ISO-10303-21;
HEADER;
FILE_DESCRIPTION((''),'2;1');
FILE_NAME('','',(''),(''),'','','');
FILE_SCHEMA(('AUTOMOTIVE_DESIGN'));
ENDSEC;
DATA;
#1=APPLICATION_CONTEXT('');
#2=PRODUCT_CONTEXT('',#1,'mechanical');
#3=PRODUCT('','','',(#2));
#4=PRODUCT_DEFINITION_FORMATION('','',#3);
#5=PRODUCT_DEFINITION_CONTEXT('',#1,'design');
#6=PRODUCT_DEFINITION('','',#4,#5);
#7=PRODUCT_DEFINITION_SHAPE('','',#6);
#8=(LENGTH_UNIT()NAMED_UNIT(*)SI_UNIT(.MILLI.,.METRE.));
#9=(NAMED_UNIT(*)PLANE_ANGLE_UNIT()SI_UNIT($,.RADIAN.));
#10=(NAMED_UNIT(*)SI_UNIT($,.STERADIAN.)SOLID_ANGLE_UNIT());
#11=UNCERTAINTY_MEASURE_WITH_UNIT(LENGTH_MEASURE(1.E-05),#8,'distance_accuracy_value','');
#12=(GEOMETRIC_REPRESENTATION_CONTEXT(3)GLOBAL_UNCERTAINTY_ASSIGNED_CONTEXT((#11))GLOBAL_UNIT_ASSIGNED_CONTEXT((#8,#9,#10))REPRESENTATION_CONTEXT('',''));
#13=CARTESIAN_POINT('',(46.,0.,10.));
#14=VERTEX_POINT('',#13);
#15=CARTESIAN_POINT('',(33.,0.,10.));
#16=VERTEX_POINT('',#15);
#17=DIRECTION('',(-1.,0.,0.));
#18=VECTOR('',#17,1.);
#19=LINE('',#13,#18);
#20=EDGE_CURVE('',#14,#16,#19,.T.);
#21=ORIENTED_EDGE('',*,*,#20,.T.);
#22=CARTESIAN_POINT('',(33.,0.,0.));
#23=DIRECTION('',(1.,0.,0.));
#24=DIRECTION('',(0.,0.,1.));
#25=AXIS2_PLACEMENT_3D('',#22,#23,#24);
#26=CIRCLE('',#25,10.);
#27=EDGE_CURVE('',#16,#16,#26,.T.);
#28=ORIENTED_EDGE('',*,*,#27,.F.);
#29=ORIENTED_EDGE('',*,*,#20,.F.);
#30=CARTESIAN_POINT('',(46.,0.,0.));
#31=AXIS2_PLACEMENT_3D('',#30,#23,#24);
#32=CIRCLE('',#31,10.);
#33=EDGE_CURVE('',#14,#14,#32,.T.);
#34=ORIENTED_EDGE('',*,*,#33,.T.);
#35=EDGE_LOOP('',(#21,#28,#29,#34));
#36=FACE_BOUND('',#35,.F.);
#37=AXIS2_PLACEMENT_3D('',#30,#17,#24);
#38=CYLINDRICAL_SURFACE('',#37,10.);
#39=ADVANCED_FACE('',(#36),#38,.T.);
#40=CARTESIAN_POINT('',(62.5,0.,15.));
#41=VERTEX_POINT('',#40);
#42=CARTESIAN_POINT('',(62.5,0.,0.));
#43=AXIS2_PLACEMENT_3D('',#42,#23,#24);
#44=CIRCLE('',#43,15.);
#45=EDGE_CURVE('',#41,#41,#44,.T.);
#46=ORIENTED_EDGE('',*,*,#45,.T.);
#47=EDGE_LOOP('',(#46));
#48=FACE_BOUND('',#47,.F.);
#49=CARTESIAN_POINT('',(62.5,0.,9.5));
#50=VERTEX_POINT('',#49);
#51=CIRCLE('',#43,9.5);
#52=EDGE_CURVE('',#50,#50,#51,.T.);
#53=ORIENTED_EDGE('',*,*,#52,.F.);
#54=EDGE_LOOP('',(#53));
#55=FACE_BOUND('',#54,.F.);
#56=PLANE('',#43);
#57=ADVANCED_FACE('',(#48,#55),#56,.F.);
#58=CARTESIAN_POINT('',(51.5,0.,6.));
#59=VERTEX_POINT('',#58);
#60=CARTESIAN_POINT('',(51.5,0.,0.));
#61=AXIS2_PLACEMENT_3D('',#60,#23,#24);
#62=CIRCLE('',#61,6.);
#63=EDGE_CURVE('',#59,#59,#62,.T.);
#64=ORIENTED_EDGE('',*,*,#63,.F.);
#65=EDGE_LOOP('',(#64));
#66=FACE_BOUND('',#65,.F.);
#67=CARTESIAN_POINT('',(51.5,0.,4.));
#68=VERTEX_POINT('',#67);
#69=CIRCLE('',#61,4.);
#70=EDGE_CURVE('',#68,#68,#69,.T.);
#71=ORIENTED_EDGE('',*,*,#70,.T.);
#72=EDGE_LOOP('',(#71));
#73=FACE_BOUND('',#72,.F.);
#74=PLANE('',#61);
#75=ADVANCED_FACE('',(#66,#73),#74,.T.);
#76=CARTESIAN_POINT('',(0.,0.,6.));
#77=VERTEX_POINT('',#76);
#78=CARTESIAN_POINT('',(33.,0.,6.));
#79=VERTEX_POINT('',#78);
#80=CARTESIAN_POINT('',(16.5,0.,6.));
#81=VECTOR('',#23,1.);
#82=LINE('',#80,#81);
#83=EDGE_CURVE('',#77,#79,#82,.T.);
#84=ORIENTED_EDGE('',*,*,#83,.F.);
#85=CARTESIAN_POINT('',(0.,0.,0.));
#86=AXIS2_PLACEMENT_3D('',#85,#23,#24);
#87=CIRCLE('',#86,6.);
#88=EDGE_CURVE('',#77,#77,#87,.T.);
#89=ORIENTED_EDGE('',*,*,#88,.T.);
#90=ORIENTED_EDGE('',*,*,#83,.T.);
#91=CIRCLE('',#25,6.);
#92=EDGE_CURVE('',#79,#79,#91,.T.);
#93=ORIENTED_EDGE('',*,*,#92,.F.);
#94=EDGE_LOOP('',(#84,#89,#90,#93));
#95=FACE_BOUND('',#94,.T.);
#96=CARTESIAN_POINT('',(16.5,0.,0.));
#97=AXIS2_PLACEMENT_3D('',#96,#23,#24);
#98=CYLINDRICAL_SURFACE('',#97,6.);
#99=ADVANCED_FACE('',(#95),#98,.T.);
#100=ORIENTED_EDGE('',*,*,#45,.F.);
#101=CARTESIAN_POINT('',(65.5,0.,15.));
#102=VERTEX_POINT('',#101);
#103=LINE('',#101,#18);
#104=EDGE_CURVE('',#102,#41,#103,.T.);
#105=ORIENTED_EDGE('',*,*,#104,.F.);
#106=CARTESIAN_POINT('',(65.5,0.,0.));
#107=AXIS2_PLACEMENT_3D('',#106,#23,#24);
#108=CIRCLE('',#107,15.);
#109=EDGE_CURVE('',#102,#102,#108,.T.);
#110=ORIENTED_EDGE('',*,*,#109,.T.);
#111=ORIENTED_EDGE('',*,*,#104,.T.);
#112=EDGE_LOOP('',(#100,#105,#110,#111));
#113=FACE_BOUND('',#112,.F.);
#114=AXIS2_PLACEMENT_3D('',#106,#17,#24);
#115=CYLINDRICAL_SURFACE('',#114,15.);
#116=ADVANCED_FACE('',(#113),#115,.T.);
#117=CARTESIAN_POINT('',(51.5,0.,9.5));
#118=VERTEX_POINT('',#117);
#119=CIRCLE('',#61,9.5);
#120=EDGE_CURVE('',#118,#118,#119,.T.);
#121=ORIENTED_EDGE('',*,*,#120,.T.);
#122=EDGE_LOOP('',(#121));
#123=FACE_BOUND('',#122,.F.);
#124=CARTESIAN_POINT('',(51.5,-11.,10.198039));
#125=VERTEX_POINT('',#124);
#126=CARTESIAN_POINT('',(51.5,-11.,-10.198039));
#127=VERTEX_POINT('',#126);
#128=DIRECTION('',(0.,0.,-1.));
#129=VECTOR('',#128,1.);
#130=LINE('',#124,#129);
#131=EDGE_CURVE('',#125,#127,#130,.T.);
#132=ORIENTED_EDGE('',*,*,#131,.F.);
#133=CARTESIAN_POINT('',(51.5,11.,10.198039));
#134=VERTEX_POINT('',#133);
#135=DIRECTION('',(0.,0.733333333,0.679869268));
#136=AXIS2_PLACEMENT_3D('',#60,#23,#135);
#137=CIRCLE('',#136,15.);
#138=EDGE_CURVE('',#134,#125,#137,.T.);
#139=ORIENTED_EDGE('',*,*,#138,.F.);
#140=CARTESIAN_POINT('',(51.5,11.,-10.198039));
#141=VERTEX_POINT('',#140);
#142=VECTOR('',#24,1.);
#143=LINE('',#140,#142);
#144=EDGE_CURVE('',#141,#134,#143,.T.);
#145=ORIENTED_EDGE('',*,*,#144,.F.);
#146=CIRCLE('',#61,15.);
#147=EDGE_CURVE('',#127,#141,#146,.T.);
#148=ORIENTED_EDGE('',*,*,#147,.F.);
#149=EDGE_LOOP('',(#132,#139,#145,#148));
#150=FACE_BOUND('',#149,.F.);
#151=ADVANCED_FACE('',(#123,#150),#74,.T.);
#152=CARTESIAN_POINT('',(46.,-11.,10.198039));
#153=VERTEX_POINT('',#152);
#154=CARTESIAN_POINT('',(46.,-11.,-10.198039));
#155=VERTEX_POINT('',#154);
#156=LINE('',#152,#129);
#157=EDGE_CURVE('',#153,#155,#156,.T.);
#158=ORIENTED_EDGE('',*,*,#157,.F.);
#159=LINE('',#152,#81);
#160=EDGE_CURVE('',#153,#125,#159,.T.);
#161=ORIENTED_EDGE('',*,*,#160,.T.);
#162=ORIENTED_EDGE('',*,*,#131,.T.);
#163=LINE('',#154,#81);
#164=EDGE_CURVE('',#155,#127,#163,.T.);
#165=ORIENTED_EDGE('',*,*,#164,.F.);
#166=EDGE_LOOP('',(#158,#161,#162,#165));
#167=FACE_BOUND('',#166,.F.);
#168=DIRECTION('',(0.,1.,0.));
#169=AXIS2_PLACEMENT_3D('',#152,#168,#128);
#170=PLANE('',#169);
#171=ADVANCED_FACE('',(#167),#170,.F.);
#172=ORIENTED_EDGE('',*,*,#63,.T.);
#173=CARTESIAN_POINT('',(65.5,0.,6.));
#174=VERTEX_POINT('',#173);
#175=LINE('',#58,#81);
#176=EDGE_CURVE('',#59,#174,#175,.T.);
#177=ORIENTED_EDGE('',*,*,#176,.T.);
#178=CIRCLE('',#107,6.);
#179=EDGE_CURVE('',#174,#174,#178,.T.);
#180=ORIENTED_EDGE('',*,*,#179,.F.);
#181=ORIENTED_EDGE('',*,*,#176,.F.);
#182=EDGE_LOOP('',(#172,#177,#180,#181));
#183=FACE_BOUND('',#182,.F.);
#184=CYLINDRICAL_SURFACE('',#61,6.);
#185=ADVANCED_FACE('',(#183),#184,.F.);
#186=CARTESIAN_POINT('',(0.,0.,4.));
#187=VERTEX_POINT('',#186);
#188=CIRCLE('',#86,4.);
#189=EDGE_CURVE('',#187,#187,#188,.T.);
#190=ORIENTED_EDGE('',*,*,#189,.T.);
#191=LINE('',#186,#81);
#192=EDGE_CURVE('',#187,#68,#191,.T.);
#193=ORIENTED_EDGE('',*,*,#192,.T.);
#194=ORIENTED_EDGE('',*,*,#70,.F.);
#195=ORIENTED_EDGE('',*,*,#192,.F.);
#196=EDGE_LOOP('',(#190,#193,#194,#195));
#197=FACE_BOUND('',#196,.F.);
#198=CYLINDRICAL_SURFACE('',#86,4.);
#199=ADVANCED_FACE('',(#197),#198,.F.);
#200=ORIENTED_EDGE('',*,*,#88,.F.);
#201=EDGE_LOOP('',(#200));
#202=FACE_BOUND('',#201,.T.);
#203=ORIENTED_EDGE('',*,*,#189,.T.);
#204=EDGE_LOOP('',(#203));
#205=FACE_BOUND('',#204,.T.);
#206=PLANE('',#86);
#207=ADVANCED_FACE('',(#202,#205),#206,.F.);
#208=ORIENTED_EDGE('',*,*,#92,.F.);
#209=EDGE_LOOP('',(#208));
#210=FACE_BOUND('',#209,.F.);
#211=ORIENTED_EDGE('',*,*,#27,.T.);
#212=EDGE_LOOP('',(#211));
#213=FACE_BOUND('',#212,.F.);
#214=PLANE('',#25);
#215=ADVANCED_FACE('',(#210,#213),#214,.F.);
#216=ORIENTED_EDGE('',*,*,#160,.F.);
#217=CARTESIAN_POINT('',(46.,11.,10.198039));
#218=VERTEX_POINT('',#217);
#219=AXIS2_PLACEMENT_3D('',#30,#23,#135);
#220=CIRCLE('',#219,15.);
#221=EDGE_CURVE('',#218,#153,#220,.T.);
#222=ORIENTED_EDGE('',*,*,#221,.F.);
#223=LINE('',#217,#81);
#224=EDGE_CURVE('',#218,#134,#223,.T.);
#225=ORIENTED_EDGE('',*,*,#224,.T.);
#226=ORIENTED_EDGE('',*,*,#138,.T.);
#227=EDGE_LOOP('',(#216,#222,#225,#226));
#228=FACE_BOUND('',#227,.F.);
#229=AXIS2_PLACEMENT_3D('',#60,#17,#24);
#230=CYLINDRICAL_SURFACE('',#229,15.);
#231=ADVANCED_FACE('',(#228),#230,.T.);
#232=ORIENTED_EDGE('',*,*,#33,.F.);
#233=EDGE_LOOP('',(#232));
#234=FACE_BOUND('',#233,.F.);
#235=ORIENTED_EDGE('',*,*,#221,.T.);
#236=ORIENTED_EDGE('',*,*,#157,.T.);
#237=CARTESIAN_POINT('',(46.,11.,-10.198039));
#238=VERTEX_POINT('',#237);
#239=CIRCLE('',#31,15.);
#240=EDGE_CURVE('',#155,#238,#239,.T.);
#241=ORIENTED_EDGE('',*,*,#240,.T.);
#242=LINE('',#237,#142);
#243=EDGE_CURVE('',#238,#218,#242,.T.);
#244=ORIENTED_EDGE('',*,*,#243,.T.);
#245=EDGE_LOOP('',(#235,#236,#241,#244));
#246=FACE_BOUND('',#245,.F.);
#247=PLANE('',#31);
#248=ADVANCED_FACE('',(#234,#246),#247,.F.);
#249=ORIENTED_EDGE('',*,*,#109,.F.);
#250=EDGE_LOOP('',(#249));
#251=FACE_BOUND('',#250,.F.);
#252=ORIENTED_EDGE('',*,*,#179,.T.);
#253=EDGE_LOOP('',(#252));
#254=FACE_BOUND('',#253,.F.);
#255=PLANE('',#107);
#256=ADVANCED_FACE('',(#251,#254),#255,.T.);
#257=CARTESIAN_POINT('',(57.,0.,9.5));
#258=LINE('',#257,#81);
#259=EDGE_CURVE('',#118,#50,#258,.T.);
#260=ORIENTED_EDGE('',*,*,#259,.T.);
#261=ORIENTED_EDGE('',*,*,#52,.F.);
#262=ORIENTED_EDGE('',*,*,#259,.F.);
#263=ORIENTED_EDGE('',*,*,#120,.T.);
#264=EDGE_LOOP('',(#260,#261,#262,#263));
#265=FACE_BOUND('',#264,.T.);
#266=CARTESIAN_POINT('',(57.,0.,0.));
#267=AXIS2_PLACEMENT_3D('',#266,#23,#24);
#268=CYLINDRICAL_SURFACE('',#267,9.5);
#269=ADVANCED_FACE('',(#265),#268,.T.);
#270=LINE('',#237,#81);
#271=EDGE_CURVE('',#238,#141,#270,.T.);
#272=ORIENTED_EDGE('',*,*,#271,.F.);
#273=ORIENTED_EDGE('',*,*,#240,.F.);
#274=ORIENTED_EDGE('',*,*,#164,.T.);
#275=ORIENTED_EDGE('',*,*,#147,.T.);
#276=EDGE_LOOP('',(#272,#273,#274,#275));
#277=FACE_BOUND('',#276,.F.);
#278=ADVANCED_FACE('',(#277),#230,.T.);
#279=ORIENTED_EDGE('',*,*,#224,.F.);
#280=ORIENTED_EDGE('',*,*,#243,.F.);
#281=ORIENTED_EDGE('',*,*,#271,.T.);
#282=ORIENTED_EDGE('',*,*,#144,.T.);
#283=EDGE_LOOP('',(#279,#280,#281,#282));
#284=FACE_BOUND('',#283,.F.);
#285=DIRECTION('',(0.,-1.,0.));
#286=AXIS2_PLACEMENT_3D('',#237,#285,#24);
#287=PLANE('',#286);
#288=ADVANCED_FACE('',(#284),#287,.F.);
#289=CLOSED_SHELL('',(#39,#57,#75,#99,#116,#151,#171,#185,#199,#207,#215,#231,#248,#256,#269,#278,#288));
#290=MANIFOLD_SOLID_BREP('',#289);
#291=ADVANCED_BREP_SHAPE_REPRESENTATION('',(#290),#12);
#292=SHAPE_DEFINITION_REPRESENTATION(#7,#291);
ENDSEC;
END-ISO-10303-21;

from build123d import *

# Parameters (mm, degrees)
F0_W     = 11
F0_H     = 3.5
F0_W_2   = 33
F0_H_2   = 2
F3_DEPTH = 5.5


with BuildPart() as f1:
    # F0 (on Front) → F1 (revolve)
    with BuildSketch(Plane.XZ):
        Polygon((62.5, 9.5), (62.5, 6), (65.5, 6), (65.5, 15), (62.5, 15), align=None)
        with Locations((57, 7.75)):
            Rectangle(F0_W, F0_H)
        with Locations((16.5, 5)):
            Rectangle(F0_W_2, F0_H_2)
        Polygon((33, 6), (33, 4), (46, 4), (46, 10), (33, 10), align=None)
        Polygon((46, 10), (46, 4), (51.5, 4), (51.5, 6), (51.5, 9.5), (51.5, 15), (46, 15), align=None)
    revolve(axis=Axis((16.5, 0, 0), (1, 0, 0)))

    # F2 (on face) → F3 (cut)
    with BuildSketch(Plane(origin=(46, 0, 0), x_dir=(0, -1, 0), z_dir=(-1, 0, 0))):
        with BuildLine():
            Line((-11, -10.1980390272), (-11, 0))
            Line((-11, 0), (-11, 10.1980390272))
            ThreePointArc((-11, 10.1980390272), (-15, 0), (-11, -10.1980390272))
        make_face()
        with BuildLine():
            Line((11, 10.1980390272), (11, 0))
            Line((11, 0), (11, -10.1980390272))
            ThreePointArc((11, -10.1980390272), (13.9642400438, -5.4772255751), (15, 0))
            ThreePointArc((15, 0), (13.9642400438, 5.4772255751), (11, 10.1980390272))
        make_face()
    extrude(amount=-F3_DEPTH, mode=Mode.SUBTRACT)


solid = f1.part
